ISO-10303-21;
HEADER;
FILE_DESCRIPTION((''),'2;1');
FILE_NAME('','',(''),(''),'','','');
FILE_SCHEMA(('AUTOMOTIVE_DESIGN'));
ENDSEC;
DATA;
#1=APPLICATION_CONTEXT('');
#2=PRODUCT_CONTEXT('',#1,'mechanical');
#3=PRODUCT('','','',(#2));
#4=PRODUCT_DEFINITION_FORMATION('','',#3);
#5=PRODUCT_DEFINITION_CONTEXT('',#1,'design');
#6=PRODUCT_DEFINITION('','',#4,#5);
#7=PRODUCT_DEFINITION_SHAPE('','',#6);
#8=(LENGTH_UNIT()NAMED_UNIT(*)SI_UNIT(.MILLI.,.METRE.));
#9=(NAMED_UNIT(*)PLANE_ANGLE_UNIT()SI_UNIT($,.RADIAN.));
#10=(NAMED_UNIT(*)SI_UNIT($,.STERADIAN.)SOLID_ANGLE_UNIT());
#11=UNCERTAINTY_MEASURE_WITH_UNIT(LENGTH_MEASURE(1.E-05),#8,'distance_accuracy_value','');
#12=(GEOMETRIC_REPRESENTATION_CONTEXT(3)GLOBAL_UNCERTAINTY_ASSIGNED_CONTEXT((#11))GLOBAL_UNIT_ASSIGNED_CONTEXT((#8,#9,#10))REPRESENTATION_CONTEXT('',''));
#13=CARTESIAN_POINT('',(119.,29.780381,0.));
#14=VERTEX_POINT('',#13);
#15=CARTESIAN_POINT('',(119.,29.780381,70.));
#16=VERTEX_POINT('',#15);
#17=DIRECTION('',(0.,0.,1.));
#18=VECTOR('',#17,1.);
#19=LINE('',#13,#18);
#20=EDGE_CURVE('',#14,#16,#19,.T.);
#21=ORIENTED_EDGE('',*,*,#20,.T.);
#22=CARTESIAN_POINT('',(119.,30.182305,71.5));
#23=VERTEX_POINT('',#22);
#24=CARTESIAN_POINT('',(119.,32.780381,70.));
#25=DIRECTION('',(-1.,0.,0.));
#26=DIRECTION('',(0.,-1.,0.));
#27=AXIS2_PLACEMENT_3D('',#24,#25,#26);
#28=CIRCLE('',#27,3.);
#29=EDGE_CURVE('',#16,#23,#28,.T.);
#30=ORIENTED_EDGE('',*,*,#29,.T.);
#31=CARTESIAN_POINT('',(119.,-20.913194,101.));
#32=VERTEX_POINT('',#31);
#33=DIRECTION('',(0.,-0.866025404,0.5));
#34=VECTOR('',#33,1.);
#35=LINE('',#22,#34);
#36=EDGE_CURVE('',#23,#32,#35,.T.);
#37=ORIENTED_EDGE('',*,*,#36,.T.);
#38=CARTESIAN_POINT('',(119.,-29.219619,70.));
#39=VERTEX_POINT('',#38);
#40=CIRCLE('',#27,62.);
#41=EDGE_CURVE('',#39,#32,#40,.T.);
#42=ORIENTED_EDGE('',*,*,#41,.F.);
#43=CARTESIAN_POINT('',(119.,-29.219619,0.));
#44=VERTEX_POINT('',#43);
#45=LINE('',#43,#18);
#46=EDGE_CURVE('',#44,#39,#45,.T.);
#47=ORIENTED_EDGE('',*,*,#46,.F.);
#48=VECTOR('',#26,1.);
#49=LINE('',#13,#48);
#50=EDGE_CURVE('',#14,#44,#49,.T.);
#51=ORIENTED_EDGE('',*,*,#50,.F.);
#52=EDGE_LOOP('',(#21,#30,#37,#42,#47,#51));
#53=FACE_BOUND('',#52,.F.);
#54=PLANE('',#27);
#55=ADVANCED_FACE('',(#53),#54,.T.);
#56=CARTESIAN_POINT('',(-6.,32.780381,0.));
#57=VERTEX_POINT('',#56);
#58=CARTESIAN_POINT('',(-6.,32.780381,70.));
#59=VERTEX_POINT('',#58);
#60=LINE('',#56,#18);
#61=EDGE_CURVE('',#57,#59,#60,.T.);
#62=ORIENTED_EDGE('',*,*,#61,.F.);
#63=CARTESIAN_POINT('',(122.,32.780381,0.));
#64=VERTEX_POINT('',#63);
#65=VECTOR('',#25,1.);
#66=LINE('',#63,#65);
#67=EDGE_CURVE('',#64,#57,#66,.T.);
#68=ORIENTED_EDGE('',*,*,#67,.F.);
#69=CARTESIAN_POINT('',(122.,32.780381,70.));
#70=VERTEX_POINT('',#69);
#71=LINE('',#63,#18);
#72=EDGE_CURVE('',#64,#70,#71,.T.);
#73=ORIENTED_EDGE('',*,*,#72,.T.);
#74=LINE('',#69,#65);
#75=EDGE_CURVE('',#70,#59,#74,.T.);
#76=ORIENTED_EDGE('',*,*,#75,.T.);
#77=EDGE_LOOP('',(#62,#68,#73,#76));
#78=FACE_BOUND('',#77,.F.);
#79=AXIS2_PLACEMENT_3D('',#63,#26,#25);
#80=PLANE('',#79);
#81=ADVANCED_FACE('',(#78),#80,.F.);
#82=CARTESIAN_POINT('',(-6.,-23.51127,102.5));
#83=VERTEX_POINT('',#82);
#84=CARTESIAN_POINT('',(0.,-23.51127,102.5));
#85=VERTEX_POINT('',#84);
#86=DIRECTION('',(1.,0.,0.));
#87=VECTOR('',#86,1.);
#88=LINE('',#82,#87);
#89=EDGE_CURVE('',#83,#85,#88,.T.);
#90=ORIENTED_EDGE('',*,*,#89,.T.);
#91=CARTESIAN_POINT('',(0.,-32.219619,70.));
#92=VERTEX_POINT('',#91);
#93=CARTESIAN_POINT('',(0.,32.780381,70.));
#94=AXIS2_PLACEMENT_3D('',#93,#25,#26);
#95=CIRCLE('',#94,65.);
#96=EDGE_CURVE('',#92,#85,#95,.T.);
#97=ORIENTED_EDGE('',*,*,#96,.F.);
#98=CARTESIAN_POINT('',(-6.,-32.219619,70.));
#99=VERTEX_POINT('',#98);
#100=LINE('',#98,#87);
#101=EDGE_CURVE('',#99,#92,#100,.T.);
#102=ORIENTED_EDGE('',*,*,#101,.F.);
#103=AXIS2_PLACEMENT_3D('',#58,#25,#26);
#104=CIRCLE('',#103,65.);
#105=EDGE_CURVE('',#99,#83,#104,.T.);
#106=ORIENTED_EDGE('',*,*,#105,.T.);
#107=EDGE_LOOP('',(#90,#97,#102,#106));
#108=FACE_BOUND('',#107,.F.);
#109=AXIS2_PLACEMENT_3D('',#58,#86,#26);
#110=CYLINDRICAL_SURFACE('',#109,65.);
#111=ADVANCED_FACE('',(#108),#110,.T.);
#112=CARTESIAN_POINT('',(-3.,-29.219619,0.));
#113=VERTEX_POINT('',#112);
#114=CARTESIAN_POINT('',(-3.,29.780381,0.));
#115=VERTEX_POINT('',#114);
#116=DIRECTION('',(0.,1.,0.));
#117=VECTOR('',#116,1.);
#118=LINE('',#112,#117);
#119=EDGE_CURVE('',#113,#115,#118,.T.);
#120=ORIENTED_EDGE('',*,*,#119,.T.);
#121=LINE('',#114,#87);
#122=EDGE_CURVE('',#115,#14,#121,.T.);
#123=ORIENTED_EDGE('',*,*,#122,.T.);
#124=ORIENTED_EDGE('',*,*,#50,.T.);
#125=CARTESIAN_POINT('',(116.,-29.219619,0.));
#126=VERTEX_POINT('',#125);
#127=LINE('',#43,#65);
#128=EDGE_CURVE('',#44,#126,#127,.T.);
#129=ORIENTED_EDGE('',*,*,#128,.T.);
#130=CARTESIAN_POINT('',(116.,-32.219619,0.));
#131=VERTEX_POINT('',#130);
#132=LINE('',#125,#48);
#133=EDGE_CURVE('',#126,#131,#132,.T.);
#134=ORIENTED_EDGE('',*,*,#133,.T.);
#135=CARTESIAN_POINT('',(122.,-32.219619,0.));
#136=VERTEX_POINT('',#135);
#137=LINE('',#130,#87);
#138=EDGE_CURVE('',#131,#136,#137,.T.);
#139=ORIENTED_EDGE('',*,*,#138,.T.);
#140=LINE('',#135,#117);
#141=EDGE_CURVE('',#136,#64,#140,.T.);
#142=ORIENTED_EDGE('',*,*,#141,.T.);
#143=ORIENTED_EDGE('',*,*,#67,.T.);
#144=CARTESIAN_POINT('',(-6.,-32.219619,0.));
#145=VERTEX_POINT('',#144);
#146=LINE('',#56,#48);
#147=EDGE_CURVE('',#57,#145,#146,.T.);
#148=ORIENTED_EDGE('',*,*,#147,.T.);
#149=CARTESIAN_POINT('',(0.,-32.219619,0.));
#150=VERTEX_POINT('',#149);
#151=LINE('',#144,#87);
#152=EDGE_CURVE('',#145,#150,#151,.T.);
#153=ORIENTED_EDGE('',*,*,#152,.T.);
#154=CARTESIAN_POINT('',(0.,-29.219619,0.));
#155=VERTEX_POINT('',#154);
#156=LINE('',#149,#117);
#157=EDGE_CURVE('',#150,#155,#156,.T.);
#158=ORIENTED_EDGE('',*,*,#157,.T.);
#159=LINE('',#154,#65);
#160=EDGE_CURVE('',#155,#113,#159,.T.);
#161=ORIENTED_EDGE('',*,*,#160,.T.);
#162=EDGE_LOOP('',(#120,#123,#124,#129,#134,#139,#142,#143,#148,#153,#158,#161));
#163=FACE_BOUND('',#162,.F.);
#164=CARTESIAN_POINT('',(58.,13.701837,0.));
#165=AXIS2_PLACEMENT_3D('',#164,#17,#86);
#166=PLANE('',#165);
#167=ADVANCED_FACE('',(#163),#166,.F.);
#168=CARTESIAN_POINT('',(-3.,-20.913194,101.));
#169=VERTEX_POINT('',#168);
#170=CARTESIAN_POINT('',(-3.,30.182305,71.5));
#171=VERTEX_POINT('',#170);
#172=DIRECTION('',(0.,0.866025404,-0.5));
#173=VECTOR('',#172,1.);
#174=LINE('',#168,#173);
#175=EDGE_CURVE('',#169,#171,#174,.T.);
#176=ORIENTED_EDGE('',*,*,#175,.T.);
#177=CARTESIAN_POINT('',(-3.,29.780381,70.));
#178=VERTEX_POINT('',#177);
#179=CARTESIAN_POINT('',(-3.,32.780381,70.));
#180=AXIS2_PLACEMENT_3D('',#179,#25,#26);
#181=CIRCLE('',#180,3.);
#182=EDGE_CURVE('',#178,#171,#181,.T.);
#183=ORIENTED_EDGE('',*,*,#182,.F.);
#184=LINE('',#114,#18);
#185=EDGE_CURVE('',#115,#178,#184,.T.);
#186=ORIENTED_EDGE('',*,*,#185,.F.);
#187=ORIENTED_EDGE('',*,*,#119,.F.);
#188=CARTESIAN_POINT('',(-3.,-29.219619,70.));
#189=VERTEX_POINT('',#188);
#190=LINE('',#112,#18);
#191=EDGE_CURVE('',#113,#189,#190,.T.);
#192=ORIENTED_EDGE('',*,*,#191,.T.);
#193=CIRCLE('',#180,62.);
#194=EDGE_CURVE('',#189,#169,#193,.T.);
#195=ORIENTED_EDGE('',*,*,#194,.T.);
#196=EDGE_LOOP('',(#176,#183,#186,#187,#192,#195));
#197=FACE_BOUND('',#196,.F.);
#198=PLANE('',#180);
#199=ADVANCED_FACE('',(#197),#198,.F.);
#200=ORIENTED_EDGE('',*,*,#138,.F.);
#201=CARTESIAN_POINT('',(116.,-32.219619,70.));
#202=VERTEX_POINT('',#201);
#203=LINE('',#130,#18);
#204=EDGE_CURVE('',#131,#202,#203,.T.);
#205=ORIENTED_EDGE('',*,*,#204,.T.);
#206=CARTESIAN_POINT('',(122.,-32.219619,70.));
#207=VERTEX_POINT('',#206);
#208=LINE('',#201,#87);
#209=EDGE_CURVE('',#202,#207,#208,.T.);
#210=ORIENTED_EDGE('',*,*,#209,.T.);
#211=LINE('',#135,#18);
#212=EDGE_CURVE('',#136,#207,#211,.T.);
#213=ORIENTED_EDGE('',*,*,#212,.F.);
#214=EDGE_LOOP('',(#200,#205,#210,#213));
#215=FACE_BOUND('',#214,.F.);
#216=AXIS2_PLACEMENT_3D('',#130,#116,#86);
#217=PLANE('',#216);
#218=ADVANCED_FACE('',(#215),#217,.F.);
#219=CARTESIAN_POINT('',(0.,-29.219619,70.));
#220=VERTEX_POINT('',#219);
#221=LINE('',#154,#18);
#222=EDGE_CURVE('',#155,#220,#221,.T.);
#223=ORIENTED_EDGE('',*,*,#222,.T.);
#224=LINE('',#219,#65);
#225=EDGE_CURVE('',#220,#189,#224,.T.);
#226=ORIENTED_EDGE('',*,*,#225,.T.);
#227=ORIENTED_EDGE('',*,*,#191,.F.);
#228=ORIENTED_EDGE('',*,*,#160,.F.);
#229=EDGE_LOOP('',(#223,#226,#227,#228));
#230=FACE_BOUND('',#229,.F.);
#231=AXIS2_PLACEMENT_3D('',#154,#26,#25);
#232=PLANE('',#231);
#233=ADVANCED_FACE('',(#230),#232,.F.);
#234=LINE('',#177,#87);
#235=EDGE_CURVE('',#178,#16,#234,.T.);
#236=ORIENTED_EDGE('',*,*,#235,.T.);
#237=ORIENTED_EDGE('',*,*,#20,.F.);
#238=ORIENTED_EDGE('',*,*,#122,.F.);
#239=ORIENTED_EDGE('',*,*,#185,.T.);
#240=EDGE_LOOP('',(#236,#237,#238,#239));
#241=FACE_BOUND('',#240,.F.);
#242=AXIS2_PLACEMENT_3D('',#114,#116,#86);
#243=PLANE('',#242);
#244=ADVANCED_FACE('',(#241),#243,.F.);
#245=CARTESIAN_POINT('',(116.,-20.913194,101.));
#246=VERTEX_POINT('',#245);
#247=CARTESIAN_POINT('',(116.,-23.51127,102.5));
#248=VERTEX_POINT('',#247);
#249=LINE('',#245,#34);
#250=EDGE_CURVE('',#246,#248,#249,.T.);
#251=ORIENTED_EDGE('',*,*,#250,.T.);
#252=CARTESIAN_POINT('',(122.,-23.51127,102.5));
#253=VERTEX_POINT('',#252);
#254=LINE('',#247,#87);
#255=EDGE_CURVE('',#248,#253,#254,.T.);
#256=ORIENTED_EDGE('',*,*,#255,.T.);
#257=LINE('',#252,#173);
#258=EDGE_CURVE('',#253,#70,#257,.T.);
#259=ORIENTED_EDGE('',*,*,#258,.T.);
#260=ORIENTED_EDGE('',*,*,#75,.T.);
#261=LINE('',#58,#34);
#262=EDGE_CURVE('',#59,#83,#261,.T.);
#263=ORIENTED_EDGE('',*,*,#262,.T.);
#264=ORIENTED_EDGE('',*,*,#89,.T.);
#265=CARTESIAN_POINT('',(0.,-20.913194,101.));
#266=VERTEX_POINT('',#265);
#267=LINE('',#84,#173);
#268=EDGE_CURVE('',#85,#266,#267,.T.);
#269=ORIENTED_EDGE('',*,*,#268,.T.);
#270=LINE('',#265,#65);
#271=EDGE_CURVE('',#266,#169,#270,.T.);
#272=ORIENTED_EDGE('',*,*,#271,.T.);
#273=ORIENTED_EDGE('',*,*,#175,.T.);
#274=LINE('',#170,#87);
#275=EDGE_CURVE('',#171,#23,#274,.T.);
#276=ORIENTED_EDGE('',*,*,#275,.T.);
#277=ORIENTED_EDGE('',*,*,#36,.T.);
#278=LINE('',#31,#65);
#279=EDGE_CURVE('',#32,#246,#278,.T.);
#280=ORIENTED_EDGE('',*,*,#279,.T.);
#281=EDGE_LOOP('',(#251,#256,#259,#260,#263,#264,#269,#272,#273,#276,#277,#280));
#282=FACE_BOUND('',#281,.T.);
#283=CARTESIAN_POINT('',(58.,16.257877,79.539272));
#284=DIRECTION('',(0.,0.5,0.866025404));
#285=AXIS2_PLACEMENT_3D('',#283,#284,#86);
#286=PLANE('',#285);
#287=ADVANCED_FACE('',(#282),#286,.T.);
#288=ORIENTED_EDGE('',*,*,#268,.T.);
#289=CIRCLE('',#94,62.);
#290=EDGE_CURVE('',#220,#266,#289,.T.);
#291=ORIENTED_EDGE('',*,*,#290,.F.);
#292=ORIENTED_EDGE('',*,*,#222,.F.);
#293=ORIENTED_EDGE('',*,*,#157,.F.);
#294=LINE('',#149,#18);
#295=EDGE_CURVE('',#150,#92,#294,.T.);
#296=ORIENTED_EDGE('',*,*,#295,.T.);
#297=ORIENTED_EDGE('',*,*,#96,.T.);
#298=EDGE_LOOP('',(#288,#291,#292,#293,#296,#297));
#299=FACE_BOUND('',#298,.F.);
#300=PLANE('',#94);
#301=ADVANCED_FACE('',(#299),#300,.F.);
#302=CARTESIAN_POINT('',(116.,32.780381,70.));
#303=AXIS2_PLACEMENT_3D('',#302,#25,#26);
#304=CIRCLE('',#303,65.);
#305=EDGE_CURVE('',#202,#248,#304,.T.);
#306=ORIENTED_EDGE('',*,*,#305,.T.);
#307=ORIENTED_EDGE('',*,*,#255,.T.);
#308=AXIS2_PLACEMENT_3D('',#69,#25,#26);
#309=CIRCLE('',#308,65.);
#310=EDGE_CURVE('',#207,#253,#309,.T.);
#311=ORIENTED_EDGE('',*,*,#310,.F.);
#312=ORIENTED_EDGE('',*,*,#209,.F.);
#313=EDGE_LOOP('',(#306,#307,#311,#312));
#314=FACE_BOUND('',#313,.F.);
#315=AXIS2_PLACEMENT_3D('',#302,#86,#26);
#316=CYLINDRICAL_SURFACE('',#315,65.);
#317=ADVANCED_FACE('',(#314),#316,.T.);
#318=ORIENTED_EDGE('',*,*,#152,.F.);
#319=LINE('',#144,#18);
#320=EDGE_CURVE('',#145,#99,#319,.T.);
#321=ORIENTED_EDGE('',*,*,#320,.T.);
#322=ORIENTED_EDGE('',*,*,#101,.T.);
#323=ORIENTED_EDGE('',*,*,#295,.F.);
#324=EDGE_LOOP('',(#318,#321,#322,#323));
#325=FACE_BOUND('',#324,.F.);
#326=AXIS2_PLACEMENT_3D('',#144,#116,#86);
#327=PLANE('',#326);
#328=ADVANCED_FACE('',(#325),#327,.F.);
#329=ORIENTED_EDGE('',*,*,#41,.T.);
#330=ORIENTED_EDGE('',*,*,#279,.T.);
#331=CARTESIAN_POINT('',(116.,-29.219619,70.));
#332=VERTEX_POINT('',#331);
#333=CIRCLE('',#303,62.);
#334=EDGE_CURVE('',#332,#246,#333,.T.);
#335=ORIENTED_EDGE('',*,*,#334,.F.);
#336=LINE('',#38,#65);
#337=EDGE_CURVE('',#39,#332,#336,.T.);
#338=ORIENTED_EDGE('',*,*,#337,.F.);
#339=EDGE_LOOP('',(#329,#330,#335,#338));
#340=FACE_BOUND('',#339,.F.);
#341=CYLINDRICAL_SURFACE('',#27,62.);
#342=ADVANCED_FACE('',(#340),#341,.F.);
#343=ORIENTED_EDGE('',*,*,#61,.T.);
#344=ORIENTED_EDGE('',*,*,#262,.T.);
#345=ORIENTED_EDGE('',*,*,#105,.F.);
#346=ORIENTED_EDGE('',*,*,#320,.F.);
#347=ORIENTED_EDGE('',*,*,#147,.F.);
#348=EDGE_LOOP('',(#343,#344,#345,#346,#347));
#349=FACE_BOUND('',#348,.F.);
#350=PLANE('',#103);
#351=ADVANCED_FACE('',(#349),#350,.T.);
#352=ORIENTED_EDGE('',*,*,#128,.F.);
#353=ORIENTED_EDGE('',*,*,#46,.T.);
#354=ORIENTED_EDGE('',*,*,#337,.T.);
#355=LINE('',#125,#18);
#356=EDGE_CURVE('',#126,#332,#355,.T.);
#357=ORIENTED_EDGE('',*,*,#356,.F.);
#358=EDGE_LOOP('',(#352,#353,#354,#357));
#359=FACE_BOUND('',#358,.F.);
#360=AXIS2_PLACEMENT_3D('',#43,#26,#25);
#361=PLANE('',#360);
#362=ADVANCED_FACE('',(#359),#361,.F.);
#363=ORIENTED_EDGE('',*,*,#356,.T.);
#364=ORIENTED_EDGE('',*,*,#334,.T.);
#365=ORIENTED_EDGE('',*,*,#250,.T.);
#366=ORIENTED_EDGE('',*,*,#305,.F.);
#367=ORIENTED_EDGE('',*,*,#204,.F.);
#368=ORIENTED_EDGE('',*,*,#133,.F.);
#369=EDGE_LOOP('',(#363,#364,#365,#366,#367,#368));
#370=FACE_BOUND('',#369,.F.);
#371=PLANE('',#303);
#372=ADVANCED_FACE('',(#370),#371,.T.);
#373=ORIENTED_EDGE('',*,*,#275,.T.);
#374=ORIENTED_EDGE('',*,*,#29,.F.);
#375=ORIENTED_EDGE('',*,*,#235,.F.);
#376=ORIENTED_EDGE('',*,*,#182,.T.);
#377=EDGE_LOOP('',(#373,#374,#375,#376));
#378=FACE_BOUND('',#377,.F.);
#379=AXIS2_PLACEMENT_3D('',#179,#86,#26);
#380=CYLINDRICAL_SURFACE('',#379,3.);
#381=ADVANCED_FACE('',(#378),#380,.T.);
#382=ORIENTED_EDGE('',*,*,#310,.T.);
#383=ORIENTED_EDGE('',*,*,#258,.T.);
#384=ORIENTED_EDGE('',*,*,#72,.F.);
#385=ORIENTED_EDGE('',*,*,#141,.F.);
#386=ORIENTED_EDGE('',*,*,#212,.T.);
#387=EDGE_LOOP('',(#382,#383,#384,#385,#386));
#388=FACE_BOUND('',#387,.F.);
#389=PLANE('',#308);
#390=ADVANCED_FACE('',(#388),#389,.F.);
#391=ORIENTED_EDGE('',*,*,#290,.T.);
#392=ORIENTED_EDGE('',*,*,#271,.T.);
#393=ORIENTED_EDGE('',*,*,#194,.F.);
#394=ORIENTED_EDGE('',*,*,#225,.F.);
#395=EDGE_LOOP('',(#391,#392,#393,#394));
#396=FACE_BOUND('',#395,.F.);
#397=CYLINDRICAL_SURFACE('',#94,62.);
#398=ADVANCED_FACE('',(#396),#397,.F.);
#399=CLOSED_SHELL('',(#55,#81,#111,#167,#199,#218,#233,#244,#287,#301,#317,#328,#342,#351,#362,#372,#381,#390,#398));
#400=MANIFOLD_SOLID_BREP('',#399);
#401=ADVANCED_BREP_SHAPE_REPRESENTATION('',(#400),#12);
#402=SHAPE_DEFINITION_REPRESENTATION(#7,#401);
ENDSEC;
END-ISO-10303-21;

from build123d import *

# Parameters (mm, degrees)
F1_DEPTH = 70
F2_ANGLE = 30


with BuildPart() as f1:
    # F0 (on Top) → F1 (new body)
    with BuildSketch(Plane.XY):
        Polygon((-6, -32.2196190416), (0, -32.2196190416), (0, -29.2196190416), (-3, -29.2196190416), (-3, 29.7803809584), (119, 29.7803809584), (119, -29.2196190416), (116, -29.2196190416), (116, -32.2196190416), (122, -32.2196190416), (122, 32.7803809584), (-6, 32.7803809584), align=None)
    extrude(amount=F1_DEPTH)

    # F1_face (on face) → F2 (revolve)
    with BuildSketch(Plane(origin=(58, 14.2183654545, 70), x_dir=(1, 0, 0), z_dir=(0, 0, 1))):
        Polygon((64, -46.4379844961), (64, 18.5620155039), (-64, 18.5620155039), (-64, -46.4379844961), (-58, -46.4379844961), (-58, -43.4379844961), (-61, -43.4379844961), (-61, 15.5620155039), (61, 15.5620155039), (61, -43.4379844961), (58, -43.4379844961), (58, -46.4379844961), align=None)
    revolve(axis=Axis((58, 32.7803809584, 70), (-1, 0, 0)), revolution_arc=F2_ANGLE)


solid = f1.part
